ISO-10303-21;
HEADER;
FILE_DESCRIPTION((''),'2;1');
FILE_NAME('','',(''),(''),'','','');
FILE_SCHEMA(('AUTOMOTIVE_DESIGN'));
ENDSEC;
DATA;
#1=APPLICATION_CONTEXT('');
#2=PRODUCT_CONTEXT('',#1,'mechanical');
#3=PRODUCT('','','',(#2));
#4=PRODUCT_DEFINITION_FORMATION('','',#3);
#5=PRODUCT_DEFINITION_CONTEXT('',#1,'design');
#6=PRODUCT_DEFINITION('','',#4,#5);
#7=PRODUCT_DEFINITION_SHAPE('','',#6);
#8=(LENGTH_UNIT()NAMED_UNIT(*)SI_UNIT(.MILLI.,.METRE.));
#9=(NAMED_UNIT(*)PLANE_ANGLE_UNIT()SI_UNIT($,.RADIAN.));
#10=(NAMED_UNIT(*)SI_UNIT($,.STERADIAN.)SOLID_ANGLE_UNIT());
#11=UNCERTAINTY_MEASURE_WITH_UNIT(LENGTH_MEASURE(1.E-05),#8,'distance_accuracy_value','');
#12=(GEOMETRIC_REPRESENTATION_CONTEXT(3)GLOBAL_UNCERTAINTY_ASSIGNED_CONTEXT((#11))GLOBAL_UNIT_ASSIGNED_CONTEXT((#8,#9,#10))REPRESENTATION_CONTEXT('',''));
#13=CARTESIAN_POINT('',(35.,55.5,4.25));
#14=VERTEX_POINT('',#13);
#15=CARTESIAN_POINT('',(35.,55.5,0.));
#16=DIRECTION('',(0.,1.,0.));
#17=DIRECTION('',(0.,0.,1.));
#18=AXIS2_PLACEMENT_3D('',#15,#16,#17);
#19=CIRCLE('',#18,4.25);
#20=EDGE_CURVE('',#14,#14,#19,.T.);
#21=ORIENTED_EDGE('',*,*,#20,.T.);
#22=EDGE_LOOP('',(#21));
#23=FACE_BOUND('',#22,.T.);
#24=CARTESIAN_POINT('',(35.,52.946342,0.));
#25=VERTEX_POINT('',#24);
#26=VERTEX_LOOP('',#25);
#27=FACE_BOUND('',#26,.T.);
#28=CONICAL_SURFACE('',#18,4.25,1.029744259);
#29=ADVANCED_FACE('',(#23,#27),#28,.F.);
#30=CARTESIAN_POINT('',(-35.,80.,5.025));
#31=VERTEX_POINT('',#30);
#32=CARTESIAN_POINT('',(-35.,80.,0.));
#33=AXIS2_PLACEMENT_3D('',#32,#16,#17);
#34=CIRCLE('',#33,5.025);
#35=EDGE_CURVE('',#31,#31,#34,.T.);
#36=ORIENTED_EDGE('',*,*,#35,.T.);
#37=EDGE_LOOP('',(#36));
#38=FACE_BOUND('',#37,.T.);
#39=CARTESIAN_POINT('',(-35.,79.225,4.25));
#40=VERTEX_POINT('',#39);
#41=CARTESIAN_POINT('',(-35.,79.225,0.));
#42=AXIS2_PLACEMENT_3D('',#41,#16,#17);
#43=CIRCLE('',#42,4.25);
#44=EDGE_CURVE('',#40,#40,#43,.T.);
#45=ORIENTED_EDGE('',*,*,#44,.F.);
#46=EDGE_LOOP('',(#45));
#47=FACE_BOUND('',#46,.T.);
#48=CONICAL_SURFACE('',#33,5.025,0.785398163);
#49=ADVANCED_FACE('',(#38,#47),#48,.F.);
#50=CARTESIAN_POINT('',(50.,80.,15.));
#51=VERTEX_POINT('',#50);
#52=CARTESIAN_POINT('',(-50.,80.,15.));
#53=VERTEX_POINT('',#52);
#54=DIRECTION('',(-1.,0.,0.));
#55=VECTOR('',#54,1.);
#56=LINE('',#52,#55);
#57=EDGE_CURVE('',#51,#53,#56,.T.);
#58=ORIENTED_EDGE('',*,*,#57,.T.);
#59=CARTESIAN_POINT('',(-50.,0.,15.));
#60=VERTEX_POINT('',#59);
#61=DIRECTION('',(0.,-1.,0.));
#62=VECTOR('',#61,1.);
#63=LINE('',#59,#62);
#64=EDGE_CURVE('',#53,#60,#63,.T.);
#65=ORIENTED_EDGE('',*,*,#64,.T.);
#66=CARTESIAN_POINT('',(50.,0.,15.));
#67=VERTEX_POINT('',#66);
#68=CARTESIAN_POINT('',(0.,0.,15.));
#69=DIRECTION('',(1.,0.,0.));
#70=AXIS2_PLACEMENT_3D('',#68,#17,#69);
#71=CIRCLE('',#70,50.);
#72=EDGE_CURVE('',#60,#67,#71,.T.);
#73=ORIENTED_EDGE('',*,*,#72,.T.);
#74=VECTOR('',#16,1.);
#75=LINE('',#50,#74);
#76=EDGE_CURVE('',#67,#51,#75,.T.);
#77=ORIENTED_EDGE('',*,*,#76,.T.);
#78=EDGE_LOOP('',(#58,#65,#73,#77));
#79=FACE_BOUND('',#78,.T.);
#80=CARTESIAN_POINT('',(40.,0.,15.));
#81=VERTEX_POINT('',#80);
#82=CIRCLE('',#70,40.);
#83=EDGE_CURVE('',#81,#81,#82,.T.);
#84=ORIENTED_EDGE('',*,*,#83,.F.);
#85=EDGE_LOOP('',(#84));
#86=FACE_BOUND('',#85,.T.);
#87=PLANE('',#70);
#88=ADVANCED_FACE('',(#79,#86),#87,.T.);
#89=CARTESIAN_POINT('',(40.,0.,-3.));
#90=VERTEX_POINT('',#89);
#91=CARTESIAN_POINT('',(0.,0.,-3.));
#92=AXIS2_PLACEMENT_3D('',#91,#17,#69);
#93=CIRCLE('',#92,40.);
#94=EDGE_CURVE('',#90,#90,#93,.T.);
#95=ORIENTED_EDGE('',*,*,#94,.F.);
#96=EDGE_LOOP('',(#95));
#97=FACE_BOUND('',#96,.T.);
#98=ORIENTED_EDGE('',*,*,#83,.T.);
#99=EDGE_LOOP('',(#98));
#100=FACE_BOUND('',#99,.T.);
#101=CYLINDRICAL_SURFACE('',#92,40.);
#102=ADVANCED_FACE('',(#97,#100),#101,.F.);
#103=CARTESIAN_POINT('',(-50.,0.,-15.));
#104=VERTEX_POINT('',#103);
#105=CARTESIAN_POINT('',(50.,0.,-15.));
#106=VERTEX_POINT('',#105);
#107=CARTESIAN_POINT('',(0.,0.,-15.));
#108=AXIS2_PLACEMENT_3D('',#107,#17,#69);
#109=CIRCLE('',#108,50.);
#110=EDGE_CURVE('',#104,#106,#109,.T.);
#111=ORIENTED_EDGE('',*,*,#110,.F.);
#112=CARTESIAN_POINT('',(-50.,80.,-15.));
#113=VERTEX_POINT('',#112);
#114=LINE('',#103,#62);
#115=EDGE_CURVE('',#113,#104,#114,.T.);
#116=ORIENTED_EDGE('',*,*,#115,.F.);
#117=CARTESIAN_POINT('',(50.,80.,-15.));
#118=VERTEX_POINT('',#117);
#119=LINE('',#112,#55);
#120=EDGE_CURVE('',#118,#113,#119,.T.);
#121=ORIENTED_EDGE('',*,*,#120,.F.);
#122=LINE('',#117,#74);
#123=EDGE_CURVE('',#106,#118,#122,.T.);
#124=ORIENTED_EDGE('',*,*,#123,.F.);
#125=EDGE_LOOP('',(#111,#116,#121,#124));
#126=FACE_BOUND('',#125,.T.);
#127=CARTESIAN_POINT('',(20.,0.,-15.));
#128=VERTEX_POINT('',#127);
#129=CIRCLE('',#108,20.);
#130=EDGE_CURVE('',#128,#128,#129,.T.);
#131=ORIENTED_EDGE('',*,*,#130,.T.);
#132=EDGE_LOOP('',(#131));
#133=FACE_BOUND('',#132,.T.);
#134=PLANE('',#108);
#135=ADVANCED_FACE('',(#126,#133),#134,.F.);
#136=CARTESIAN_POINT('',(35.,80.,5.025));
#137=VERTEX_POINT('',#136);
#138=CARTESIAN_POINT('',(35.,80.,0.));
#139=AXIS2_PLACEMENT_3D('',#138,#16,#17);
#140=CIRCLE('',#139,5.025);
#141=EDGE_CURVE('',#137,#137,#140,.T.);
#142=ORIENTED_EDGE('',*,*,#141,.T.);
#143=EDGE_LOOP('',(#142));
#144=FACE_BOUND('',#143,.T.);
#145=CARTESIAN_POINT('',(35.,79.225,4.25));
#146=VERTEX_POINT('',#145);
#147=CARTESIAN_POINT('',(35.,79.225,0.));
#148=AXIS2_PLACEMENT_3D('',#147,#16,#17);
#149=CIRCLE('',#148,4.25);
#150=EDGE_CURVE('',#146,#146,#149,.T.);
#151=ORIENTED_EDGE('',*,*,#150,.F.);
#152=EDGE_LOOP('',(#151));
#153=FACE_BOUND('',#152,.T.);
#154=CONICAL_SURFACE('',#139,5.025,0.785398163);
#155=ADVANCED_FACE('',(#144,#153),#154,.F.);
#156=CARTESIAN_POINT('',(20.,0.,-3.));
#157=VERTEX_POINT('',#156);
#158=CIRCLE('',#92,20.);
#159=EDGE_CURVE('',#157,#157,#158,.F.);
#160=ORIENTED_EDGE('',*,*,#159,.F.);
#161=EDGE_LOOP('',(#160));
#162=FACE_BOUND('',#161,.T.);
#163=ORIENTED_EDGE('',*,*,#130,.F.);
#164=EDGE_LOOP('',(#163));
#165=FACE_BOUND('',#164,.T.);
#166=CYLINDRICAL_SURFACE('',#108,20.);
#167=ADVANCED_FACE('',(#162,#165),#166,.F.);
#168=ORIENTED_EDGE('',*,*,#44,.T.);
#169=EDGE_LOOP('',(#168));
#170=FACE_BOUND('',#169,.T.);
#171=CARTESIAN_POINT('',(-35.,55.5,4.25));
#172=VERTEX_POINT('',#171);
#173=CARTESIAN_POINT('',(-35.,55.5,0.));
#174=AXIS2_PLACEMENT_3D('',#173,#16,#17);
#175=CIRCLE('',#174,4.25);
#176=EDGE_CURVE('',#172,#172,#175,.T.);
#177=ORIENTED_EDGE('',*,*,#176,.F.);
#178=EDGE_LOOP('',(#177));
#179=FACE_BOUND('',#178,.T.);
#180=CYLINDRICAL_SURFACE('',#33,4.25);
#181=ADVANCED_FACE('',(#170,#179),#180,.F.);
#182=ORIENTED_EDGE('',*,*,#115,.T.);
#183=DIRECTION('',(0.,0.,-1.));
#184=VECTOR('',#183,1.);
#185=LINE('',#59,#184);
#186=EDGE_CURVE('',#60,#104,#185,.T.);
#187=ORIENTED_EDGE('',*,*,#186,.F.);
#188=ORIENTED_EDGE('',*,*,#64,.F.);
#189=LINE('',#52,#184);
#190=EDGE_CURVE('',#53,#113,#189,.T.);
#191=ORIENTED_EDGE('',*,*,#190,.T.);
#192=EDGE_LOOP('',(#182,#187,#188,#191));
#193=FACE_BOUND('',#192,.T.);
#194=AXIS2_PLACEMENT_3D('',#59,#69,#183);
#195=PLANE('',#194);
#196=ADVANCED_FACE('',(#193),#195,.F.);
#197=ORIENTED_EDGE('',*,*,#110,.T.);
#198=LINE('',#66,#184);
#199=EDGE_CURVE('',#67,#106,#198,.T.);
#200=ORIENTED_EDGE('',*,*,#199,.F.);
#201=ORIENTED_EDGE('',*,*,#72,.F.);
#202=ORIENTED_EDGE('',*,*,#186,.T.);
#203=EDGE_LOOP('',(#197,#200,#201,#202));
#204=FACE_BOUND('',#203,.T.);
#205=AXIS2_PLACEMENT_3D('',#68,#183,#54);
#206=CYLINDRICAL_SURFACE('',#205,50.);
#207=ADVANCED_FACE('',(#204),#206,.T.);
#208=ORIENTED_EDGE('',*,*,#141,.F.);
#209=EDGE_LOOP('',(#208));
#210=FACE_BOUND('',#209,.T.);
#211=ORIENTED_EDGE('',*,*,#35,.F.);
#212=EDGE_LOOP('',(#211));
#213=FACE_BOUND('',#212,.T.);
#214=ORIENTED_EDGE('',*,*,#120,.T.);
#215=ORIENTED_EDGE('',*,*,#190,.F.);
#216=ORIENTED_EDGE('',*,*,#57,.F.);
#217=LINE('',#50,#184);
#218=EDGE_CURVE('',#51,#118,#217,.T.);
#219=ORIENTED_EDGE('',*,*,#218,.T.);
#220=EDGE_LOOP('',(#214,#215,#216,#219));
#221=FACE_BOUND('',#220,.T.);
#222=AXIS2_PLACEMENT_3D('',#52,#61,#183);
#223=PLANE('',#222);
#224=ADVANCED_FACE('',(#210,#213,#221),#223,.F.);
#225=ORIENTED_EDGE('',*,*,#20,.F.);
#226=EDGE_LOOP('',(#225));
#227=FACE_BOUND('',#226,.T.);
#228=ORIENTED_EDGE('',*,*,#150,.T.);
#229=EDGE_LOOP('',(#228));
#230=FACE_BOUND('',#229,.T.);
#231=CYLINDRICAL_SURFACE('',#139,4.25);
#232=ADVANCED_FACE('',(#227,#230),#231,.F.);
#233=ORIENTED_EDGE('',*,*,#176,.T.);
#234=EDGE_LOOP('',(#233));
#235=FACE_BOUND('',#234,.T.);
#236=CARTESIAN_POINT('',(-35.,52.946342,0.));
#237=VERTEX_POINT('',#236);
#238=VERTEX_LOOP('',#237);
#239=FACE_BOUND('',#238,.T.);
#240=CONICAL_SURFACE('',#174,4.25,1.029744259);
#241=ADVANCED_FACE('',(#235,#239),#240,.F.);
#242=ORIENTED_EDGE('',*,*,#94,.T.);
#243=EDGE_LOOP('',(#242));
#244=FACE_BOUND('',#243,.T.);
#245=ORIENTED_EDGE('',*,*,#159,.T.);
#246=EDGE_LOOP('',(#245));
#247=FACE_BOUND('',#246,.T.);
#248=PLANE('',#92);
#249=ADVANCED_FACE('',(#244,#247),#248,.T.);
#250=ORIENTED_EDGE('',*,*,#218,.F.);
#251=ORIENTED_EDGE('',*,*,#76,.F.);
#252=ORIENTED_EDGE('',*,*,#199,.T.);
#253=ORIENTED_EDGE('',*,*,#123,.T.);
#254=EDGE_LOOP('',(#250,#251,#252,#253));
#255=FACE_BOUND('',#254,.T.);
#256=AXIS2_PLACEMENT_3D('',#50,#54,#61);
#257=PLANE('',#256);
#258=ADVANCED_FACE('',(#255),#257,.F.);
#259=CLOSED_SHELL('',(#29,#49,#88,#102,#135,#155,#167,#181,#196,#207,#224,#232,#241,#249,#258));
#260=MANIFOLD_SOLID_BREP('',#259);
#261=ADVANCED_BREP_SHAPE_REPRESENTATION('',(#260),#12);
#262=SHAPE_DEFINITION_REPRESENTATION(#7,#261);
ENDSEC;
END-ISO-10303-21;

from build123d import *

# Parameters (mm, degrees)
BOSS_EXTRUDE1_DEPTH          = 15
SKETCH4_R                    = 20
CUT_EXTRUDE1_DEPTH           = 30
SKETCH5_R                    = 40
CUT_EXTRUDE2_DEPTH           = 18
M10_TAPPED_HOLE1_D           = 8.5
M10_TAPPED_HOLE1_DEPTH       = 24.5
M10_TAPPED_HOLE1_CSINK_D     = 10.05
M10_TAPPED_HOLE1_CSINK_ANGLE = 90
M10_TAPPED_HOLE1_TIP         = 2.553657631


with BuildPart() as part:
    # Sketch2 → Boss-Extrude1 (new, symmetric)
    with BuildSketch(Plane.XY):
        with BuildLine():
            Line((-50, 0), (-50, 80))
            Line((-50, 80), (50, 80))
            Line((50, 80), (50, 0))
            ThreePointArc((50, 0), (0, -50), (-50, 0))
        make_face()
    extrude(amount=BOSS_EXTRUDE1_DEPTH, both=True)

    # Sketch4 → Cut-Extrude1 (cut)
    with BuildSketch(Plane.XY.offset(15)):
        Circle(SKETCH4_R)
    extrude(amount=-CUT_EXTRUDE1_DEPTH, mode=Mode.SUBTRACT)

    # Sketch5 → Cut-Extrude2 (cut)
    with BuildSketch(Plane.XY.offset(15)):
        Circle(SKETCH5_R)
    extrude(amount=-CUT_EXTRUDE2_DEPTH, mode=Mode.SUBTRACT)

    # M10 Tapped Hole1
    with Locations(Plane(origin=(-35, 80, 0), x_dir=(0, 0, 1), z_dir=(0, 1, 0))):
        with Locations((0, 0), (0, 70)):
            CounterSinkHole(M10_TAPPED_HOLE1_D / 2, M10_TAPPED_HOLE1_CSINK_D / 2, depth=M10_TAPPED_HOLE1_DEPTH, counter_sink_angle=M10_TAPPED_HOLE1_CSINK_ANGLE)
            with Locations((0, 0, -(M10_TAPPED_HOLE1_DEPTH + M10_TAPPED_HOLE1_TIP / 2))):  # 118° drill point
                Cone(0, M10_TAPPED_HOLE1_D / 2, M10_TAPPED_HOLE1_TIP, mode=Mode.SUBTRACT)


solid = part.part
